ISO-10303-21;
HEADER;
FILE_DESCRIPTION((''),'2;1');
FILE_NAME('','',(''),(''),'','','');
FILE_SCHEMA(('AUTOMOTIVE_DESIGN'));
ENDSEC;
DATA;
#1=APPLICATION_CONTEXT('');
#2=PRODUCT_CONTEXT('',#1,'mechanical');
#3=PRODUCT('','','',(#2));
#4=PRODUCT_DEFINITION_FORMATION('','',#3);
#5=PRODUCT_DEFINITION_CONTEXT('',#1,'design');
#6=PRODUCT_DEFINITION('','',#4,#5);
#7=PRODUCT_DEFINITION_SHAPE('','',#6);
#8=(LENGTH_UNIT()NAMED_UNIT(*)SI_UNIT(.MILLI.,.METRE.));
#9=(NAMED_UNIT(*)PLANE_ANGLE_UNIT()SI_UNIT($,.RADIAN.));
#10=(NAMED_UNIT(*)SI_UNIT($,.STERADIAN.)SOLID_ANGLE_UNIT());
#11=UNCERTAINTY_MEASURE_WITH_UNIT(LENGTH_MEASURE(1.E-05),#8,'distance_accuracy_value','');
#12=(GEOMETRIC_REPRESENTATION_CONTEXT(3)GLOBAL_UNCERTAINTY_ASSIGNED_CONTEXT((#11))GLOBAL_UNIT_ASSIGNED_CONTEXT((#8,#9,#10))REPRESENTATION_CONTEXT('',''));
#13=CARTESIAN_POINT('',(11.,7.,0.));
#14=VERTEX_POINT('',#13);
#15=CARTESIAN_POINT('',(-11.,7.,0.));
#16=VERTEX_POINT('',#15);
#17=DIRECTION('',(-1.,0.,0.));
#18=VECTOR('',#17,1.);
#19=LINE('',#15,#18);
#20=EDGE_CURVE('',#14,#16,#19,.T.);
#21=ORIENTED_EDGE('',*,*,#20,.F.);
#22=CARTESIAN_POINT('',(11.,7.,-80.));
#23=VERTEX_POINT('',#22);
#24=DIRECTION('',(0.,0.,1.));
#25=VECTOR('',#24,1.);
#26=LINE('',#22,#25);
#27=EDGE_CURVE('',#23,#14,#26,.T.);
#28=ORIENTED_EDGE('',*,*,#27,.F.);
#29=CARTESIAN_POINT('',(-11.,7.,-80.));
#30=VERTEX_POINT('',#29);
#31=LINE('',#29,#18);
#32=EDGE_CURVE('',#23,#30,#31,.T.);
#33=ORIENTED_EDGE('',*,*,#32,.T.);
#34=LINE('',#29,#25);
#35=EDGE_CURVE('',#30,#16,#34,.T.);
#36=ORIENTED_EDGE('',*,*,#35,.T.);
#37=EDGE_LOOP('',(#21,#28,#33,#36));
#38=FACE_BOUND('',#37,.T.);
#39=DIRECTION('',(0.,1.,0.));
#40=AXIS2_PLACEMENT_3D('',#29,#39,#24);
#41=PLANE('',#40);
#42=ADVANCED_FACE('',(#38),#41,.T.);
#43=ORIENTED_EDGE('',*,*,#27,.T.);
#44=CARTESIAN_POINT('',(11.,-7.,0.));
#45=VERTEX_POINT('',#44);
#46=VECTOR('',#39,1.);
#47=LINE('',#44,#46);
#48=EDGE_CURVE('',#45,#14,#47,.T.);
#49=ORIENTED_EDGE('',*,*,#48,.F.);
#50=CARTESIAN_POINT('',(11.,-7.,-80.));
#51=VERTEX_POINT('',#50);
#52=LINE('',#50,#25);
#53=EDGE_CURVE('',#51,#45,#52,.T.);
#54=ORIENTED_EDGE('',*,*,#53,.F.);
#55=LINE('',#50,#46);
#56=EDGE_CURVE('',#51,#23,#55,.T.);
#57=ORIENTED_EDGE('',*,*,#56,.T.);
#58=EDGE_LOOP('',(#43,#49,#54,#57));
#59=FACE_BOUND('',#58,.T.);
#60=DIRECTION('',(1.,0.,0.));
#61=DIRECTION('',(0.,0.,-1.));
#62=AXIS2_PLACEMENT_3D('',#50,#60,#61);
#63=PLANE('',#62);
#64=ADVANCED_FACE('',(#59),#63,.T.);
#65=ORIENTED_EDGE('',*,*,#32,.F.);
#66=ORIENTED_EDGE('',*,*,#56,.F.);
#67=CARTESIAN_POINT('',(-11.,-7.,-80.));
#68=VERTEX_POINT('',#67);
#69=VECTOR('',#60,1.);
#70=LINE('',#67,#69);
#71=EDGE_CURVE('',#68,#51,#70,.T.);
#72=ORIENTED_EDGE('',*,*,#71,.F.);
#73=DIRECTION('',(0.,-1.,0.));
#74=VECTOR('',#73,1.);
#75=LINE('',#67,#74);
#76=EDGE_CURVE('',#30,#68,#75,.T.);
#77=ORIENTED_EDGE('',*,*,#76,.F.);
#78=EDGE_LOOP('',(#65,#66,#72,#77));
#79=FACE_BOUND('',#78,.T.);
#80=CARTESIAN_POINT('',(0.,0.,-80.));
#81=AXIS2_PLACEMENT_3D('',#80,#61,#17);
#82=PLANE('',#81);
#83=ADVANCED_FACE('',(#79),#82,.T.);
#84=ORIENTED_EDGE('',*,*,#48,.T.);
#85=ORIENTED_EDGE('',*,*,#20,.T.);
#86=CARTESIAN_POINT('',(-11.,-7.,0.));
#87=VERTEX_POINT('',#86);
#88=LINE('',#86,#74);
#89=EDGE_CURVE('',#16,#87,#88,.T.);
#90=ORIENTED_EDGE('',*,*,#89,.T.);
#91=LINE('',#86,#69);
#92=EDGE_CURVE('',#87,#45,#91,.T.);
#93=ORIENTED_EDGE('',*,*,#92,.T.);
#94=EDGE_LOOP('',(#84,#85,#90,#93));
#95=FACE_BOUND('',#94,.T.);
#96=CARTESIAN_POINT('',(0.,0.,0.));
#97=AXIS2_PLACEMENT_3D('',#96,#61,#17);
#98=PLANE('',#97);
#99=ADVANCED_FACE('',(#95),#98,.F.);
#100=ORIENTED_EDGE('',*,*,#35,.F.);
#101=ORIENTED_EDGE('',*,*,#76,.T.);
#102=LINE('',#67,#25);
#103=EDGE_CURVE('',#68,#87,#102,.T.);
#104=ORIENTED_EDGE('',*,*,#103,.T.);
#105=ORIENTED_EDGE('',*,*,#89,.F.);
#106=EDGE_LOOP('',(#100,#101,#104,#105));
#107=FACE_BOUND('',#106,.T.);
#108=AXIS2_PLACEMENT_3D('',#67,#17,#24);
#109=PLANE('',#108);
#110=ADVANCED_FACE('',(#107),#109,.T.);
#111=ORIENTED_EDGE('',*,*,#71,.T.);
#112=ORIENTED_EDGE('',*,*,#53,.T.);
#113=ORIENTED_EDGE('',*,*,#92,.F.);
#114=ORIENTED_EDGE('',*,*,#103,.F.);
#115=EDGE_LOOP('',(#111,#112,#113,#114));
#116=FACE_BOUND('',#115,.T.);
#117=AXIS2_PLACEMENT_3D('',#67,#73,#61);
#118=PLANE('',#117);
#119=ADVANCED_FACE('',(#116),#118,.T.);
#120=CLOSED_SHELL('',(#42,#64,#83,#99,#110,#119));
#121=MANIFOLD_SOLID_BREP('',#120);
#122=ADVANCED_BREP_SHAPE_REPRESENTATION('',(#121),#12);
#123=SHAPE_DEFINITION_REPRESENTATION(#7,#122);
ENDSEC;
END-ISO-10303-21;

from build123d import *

# Parameters (mm, degrees)
SKETCH1_W           = 22
SKETCH1_H           = 14
BOSS_EXTRUDE1_DEPTH = 80


with BuildPart() as part:
    # Sketch1 → Boss-Extrude1 (new body)
    with BuildSketch(Plane.XY):
        Rectangle(SKETCH1_W, SKETCH1_H)
    extrude(amount=-BOSS_EXTRUDE1_DEPTH)


solid = part.part
